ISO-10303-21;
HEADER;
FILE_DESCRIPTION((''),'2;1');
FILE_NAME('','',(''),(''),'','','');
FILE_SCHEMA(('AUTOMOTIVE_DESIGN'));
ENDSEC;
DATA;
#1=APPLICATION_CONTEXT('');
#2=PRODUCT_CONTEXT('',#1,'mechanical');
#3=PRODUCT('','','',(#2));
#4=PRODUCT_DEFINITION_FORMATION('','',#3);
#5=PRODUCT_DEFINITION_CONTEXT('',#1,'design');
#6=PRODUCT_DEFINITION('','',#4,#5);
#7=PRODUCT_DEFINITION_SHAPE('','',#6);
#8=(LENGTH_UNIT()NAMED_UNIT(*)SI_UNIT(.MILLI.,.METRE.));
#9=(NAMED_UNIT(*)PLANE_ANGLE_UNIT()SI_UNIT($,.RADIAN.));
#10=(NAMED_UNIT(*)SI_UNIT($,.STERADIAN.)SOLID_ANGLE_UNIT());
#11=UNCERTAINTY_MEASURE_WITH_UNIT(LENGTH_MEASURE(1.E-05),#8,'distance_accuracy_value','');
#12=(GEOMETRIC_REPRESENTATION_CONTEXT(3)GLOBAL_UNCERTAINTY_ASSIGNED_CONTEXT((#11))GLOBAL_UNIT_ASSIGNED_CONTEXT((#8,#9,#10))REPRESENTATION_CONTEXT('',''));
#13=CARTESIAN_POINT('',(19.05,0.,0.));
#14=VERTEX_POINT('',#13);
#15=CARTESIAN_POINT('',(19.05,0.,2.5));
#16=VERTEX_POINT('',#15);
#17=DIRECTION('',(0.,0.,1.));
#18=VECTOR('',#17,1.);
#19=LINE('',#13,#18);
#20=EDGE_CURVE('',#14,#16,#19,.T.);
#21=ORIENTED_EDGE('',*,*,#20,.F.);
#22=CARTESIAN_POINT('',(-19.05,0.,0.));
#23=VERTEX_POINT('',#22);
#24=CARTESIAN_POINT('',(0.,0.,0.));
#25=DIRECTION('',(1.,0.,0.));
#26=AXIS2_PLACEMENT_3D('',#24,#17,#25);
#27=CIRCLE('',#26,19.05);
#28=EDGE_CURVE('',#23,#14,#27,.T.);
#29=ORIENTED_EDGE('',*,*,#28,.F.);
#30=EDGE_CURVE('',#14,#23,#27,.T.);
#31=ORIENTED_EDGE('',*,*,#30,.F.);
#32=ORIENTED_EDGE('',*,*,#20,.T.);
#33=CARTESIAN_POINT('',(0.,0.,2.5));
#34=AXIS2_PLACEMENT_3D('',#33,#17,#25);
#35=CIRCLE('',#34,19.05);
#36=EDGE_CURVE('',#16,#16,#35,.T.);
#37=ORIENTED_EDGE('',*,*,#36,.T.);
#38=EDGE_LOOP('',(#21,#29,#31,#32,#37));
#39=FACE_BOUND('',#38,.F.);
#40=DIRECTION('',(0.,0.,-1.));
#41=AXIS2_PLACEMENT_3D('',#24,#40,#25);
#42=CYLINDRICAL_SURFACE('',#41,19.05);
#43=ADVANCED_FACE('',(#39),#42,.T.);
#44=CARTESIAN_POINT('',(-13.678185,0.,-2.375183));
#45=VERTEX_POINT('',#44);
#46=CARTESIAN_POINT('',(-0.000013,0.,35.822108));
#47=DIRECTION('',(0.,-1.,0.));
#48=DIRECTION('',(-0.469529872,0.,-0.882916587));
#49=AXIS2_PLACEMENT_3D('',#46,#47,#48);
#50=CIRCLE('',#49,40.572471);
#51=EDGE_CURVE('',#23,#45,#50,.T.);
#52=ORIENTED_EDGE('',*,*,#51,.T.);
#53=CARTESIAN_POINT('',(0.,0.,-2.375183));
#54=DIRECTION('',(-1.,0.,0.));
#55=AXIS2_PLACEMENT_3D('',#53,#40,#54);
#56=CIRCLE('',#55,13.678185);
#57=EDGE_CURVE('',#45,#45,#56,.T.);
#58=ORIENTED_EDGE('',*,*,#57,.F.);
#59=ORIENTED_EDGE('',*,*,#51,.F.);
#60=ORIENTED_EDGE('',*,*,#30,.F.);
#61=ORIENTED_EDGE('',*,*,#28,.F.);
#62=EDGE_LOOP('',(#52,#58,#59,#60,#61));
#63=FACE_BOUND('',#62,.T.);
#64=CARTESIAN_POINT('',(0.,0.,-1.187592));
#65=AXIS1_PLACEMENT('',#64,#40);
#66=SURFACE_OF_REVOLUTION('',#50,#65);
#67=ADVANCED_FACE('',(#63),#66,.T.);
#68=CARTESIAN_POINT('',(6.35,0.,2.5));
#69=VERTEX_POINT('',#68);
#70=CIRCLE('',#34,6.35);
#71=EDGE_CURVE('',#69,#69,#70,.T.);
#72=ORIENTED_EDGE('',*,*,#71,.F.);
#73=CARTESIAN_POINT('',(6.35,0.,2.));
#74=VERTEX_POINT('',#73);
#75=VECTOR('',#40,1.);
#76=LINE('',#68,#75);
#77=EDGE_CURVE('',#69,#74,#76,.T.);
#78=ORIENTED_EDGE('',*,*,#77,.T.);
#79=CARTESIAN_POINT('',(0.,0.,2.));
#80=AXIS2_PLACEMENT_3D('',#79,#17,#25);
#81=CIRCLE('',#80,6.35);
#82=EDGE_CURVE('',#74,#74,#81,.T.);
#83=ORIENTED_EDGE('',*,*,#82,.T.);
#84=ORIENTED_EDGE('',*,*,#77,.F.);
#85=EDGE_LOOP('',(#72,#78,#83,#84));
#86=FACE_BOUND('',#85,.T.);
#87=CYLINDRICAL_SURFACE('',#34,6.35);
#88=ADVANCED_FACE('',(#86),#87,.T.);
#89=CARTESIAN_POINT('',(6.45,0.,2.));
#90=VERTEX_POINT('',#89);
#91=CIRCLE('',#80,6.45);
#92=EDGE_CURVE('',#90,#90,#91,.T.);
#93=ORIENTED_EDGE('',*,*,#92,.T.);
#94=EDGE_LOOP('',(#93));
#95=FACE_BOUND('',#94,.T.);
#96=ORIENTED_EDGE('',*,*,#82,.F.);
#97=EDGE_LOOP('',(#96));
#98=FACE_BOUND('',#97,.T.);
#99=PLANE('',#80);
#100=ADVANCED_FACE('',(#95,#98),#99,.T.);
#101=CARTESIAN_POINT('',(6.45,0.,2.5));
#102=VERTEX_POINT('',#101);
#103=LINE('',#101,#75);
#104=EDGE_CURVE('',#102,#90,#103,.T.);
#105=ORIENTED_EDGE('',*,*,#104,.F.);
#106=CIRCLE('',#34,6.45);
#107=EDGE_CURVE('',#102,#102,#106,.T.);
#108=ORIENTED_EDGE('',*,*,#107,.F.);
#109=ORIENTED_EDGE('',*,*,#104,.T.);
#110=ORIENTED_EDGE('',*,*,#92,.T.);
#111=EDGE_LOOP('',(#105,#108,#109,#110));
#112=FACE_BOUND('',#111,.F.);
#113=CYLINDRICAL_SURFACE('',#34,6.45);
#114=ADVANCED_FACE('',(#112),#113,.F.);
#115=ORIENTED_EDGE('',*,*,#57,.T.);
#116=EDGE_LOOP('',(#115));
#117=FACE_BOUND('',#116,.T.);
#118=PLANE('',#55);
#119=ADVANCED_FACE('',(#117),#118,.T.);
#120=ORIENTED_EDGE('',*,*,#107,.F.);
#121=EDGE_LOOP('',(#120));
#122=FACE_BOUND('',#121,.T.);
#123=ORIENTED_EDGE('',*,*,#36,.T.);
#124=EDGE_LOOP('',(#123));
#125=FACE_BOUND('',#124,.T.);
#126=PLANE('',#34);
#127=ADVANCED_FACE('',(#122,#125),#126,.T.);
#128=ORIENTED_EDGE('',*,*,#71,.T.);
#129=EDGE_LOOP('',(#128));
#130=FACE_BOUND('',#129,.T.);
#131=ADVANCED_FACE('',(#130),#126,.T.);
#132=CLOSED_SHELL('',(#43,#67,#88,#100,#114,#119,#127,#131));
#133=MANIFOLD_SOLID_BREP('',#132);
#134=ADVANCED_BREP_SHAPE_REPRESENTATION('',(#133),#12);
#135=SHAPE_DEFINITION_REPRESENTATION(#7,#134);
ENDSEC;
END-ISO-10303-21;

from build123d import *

# Parameters (mm, degrees)
F0_R     = 19.05
F1_DEPTH = 2.5
F2_R     = 6.45
F2_R_2   = 6.35
F3_DEPTH = 0.5
F4_DEPTH = 0.5


with BuildPart() as f1:
    # F0 (on Top) → F1 (new body)
    with BuildSketch(Plane.XY):
        Circle(F0_R)
    extrude(amount=F1_DEPTH)

    # F2 (on face) → F3 (cut)
    with BuildSketch(Plane.XY.offset(2.5)):
        Circle(F2_R)
        Circle(F2_R_2, mode=Mode.SUBTRACT)
    extrude(amount=-F3_DEPTH, mode=Mode.SUBTRACT)

    # F2 (on face) → F4 (cut)
    with BuildSketch(Plane.XY.offset(2.5)):
        Circle(F2_R)
        Circle(F2_R_2, mode=Mode.SUBTRACT)
    extrude(amount=-F4_DEPTH, mode=Mode.SUBTRACT)

    # F5 (on Front) → F6 (revolve)
    with BuildSketch(Plane.XZ):
        with BuildLine():
            Line((0, -2.375183), (0, 0))
            Line((0, 0), (-19.05, 0))
            ThreePointArc((-19.05, 0), (-16.407129, -1.284926), (-13.678185, -2.375183))
            Line((-13.678185, -2.375183), (0, -2.375183))
        make_face()
    revolve(axis=Axis((0, 0, -1.187592), (0, 0, -1)))


solid = f1.part
